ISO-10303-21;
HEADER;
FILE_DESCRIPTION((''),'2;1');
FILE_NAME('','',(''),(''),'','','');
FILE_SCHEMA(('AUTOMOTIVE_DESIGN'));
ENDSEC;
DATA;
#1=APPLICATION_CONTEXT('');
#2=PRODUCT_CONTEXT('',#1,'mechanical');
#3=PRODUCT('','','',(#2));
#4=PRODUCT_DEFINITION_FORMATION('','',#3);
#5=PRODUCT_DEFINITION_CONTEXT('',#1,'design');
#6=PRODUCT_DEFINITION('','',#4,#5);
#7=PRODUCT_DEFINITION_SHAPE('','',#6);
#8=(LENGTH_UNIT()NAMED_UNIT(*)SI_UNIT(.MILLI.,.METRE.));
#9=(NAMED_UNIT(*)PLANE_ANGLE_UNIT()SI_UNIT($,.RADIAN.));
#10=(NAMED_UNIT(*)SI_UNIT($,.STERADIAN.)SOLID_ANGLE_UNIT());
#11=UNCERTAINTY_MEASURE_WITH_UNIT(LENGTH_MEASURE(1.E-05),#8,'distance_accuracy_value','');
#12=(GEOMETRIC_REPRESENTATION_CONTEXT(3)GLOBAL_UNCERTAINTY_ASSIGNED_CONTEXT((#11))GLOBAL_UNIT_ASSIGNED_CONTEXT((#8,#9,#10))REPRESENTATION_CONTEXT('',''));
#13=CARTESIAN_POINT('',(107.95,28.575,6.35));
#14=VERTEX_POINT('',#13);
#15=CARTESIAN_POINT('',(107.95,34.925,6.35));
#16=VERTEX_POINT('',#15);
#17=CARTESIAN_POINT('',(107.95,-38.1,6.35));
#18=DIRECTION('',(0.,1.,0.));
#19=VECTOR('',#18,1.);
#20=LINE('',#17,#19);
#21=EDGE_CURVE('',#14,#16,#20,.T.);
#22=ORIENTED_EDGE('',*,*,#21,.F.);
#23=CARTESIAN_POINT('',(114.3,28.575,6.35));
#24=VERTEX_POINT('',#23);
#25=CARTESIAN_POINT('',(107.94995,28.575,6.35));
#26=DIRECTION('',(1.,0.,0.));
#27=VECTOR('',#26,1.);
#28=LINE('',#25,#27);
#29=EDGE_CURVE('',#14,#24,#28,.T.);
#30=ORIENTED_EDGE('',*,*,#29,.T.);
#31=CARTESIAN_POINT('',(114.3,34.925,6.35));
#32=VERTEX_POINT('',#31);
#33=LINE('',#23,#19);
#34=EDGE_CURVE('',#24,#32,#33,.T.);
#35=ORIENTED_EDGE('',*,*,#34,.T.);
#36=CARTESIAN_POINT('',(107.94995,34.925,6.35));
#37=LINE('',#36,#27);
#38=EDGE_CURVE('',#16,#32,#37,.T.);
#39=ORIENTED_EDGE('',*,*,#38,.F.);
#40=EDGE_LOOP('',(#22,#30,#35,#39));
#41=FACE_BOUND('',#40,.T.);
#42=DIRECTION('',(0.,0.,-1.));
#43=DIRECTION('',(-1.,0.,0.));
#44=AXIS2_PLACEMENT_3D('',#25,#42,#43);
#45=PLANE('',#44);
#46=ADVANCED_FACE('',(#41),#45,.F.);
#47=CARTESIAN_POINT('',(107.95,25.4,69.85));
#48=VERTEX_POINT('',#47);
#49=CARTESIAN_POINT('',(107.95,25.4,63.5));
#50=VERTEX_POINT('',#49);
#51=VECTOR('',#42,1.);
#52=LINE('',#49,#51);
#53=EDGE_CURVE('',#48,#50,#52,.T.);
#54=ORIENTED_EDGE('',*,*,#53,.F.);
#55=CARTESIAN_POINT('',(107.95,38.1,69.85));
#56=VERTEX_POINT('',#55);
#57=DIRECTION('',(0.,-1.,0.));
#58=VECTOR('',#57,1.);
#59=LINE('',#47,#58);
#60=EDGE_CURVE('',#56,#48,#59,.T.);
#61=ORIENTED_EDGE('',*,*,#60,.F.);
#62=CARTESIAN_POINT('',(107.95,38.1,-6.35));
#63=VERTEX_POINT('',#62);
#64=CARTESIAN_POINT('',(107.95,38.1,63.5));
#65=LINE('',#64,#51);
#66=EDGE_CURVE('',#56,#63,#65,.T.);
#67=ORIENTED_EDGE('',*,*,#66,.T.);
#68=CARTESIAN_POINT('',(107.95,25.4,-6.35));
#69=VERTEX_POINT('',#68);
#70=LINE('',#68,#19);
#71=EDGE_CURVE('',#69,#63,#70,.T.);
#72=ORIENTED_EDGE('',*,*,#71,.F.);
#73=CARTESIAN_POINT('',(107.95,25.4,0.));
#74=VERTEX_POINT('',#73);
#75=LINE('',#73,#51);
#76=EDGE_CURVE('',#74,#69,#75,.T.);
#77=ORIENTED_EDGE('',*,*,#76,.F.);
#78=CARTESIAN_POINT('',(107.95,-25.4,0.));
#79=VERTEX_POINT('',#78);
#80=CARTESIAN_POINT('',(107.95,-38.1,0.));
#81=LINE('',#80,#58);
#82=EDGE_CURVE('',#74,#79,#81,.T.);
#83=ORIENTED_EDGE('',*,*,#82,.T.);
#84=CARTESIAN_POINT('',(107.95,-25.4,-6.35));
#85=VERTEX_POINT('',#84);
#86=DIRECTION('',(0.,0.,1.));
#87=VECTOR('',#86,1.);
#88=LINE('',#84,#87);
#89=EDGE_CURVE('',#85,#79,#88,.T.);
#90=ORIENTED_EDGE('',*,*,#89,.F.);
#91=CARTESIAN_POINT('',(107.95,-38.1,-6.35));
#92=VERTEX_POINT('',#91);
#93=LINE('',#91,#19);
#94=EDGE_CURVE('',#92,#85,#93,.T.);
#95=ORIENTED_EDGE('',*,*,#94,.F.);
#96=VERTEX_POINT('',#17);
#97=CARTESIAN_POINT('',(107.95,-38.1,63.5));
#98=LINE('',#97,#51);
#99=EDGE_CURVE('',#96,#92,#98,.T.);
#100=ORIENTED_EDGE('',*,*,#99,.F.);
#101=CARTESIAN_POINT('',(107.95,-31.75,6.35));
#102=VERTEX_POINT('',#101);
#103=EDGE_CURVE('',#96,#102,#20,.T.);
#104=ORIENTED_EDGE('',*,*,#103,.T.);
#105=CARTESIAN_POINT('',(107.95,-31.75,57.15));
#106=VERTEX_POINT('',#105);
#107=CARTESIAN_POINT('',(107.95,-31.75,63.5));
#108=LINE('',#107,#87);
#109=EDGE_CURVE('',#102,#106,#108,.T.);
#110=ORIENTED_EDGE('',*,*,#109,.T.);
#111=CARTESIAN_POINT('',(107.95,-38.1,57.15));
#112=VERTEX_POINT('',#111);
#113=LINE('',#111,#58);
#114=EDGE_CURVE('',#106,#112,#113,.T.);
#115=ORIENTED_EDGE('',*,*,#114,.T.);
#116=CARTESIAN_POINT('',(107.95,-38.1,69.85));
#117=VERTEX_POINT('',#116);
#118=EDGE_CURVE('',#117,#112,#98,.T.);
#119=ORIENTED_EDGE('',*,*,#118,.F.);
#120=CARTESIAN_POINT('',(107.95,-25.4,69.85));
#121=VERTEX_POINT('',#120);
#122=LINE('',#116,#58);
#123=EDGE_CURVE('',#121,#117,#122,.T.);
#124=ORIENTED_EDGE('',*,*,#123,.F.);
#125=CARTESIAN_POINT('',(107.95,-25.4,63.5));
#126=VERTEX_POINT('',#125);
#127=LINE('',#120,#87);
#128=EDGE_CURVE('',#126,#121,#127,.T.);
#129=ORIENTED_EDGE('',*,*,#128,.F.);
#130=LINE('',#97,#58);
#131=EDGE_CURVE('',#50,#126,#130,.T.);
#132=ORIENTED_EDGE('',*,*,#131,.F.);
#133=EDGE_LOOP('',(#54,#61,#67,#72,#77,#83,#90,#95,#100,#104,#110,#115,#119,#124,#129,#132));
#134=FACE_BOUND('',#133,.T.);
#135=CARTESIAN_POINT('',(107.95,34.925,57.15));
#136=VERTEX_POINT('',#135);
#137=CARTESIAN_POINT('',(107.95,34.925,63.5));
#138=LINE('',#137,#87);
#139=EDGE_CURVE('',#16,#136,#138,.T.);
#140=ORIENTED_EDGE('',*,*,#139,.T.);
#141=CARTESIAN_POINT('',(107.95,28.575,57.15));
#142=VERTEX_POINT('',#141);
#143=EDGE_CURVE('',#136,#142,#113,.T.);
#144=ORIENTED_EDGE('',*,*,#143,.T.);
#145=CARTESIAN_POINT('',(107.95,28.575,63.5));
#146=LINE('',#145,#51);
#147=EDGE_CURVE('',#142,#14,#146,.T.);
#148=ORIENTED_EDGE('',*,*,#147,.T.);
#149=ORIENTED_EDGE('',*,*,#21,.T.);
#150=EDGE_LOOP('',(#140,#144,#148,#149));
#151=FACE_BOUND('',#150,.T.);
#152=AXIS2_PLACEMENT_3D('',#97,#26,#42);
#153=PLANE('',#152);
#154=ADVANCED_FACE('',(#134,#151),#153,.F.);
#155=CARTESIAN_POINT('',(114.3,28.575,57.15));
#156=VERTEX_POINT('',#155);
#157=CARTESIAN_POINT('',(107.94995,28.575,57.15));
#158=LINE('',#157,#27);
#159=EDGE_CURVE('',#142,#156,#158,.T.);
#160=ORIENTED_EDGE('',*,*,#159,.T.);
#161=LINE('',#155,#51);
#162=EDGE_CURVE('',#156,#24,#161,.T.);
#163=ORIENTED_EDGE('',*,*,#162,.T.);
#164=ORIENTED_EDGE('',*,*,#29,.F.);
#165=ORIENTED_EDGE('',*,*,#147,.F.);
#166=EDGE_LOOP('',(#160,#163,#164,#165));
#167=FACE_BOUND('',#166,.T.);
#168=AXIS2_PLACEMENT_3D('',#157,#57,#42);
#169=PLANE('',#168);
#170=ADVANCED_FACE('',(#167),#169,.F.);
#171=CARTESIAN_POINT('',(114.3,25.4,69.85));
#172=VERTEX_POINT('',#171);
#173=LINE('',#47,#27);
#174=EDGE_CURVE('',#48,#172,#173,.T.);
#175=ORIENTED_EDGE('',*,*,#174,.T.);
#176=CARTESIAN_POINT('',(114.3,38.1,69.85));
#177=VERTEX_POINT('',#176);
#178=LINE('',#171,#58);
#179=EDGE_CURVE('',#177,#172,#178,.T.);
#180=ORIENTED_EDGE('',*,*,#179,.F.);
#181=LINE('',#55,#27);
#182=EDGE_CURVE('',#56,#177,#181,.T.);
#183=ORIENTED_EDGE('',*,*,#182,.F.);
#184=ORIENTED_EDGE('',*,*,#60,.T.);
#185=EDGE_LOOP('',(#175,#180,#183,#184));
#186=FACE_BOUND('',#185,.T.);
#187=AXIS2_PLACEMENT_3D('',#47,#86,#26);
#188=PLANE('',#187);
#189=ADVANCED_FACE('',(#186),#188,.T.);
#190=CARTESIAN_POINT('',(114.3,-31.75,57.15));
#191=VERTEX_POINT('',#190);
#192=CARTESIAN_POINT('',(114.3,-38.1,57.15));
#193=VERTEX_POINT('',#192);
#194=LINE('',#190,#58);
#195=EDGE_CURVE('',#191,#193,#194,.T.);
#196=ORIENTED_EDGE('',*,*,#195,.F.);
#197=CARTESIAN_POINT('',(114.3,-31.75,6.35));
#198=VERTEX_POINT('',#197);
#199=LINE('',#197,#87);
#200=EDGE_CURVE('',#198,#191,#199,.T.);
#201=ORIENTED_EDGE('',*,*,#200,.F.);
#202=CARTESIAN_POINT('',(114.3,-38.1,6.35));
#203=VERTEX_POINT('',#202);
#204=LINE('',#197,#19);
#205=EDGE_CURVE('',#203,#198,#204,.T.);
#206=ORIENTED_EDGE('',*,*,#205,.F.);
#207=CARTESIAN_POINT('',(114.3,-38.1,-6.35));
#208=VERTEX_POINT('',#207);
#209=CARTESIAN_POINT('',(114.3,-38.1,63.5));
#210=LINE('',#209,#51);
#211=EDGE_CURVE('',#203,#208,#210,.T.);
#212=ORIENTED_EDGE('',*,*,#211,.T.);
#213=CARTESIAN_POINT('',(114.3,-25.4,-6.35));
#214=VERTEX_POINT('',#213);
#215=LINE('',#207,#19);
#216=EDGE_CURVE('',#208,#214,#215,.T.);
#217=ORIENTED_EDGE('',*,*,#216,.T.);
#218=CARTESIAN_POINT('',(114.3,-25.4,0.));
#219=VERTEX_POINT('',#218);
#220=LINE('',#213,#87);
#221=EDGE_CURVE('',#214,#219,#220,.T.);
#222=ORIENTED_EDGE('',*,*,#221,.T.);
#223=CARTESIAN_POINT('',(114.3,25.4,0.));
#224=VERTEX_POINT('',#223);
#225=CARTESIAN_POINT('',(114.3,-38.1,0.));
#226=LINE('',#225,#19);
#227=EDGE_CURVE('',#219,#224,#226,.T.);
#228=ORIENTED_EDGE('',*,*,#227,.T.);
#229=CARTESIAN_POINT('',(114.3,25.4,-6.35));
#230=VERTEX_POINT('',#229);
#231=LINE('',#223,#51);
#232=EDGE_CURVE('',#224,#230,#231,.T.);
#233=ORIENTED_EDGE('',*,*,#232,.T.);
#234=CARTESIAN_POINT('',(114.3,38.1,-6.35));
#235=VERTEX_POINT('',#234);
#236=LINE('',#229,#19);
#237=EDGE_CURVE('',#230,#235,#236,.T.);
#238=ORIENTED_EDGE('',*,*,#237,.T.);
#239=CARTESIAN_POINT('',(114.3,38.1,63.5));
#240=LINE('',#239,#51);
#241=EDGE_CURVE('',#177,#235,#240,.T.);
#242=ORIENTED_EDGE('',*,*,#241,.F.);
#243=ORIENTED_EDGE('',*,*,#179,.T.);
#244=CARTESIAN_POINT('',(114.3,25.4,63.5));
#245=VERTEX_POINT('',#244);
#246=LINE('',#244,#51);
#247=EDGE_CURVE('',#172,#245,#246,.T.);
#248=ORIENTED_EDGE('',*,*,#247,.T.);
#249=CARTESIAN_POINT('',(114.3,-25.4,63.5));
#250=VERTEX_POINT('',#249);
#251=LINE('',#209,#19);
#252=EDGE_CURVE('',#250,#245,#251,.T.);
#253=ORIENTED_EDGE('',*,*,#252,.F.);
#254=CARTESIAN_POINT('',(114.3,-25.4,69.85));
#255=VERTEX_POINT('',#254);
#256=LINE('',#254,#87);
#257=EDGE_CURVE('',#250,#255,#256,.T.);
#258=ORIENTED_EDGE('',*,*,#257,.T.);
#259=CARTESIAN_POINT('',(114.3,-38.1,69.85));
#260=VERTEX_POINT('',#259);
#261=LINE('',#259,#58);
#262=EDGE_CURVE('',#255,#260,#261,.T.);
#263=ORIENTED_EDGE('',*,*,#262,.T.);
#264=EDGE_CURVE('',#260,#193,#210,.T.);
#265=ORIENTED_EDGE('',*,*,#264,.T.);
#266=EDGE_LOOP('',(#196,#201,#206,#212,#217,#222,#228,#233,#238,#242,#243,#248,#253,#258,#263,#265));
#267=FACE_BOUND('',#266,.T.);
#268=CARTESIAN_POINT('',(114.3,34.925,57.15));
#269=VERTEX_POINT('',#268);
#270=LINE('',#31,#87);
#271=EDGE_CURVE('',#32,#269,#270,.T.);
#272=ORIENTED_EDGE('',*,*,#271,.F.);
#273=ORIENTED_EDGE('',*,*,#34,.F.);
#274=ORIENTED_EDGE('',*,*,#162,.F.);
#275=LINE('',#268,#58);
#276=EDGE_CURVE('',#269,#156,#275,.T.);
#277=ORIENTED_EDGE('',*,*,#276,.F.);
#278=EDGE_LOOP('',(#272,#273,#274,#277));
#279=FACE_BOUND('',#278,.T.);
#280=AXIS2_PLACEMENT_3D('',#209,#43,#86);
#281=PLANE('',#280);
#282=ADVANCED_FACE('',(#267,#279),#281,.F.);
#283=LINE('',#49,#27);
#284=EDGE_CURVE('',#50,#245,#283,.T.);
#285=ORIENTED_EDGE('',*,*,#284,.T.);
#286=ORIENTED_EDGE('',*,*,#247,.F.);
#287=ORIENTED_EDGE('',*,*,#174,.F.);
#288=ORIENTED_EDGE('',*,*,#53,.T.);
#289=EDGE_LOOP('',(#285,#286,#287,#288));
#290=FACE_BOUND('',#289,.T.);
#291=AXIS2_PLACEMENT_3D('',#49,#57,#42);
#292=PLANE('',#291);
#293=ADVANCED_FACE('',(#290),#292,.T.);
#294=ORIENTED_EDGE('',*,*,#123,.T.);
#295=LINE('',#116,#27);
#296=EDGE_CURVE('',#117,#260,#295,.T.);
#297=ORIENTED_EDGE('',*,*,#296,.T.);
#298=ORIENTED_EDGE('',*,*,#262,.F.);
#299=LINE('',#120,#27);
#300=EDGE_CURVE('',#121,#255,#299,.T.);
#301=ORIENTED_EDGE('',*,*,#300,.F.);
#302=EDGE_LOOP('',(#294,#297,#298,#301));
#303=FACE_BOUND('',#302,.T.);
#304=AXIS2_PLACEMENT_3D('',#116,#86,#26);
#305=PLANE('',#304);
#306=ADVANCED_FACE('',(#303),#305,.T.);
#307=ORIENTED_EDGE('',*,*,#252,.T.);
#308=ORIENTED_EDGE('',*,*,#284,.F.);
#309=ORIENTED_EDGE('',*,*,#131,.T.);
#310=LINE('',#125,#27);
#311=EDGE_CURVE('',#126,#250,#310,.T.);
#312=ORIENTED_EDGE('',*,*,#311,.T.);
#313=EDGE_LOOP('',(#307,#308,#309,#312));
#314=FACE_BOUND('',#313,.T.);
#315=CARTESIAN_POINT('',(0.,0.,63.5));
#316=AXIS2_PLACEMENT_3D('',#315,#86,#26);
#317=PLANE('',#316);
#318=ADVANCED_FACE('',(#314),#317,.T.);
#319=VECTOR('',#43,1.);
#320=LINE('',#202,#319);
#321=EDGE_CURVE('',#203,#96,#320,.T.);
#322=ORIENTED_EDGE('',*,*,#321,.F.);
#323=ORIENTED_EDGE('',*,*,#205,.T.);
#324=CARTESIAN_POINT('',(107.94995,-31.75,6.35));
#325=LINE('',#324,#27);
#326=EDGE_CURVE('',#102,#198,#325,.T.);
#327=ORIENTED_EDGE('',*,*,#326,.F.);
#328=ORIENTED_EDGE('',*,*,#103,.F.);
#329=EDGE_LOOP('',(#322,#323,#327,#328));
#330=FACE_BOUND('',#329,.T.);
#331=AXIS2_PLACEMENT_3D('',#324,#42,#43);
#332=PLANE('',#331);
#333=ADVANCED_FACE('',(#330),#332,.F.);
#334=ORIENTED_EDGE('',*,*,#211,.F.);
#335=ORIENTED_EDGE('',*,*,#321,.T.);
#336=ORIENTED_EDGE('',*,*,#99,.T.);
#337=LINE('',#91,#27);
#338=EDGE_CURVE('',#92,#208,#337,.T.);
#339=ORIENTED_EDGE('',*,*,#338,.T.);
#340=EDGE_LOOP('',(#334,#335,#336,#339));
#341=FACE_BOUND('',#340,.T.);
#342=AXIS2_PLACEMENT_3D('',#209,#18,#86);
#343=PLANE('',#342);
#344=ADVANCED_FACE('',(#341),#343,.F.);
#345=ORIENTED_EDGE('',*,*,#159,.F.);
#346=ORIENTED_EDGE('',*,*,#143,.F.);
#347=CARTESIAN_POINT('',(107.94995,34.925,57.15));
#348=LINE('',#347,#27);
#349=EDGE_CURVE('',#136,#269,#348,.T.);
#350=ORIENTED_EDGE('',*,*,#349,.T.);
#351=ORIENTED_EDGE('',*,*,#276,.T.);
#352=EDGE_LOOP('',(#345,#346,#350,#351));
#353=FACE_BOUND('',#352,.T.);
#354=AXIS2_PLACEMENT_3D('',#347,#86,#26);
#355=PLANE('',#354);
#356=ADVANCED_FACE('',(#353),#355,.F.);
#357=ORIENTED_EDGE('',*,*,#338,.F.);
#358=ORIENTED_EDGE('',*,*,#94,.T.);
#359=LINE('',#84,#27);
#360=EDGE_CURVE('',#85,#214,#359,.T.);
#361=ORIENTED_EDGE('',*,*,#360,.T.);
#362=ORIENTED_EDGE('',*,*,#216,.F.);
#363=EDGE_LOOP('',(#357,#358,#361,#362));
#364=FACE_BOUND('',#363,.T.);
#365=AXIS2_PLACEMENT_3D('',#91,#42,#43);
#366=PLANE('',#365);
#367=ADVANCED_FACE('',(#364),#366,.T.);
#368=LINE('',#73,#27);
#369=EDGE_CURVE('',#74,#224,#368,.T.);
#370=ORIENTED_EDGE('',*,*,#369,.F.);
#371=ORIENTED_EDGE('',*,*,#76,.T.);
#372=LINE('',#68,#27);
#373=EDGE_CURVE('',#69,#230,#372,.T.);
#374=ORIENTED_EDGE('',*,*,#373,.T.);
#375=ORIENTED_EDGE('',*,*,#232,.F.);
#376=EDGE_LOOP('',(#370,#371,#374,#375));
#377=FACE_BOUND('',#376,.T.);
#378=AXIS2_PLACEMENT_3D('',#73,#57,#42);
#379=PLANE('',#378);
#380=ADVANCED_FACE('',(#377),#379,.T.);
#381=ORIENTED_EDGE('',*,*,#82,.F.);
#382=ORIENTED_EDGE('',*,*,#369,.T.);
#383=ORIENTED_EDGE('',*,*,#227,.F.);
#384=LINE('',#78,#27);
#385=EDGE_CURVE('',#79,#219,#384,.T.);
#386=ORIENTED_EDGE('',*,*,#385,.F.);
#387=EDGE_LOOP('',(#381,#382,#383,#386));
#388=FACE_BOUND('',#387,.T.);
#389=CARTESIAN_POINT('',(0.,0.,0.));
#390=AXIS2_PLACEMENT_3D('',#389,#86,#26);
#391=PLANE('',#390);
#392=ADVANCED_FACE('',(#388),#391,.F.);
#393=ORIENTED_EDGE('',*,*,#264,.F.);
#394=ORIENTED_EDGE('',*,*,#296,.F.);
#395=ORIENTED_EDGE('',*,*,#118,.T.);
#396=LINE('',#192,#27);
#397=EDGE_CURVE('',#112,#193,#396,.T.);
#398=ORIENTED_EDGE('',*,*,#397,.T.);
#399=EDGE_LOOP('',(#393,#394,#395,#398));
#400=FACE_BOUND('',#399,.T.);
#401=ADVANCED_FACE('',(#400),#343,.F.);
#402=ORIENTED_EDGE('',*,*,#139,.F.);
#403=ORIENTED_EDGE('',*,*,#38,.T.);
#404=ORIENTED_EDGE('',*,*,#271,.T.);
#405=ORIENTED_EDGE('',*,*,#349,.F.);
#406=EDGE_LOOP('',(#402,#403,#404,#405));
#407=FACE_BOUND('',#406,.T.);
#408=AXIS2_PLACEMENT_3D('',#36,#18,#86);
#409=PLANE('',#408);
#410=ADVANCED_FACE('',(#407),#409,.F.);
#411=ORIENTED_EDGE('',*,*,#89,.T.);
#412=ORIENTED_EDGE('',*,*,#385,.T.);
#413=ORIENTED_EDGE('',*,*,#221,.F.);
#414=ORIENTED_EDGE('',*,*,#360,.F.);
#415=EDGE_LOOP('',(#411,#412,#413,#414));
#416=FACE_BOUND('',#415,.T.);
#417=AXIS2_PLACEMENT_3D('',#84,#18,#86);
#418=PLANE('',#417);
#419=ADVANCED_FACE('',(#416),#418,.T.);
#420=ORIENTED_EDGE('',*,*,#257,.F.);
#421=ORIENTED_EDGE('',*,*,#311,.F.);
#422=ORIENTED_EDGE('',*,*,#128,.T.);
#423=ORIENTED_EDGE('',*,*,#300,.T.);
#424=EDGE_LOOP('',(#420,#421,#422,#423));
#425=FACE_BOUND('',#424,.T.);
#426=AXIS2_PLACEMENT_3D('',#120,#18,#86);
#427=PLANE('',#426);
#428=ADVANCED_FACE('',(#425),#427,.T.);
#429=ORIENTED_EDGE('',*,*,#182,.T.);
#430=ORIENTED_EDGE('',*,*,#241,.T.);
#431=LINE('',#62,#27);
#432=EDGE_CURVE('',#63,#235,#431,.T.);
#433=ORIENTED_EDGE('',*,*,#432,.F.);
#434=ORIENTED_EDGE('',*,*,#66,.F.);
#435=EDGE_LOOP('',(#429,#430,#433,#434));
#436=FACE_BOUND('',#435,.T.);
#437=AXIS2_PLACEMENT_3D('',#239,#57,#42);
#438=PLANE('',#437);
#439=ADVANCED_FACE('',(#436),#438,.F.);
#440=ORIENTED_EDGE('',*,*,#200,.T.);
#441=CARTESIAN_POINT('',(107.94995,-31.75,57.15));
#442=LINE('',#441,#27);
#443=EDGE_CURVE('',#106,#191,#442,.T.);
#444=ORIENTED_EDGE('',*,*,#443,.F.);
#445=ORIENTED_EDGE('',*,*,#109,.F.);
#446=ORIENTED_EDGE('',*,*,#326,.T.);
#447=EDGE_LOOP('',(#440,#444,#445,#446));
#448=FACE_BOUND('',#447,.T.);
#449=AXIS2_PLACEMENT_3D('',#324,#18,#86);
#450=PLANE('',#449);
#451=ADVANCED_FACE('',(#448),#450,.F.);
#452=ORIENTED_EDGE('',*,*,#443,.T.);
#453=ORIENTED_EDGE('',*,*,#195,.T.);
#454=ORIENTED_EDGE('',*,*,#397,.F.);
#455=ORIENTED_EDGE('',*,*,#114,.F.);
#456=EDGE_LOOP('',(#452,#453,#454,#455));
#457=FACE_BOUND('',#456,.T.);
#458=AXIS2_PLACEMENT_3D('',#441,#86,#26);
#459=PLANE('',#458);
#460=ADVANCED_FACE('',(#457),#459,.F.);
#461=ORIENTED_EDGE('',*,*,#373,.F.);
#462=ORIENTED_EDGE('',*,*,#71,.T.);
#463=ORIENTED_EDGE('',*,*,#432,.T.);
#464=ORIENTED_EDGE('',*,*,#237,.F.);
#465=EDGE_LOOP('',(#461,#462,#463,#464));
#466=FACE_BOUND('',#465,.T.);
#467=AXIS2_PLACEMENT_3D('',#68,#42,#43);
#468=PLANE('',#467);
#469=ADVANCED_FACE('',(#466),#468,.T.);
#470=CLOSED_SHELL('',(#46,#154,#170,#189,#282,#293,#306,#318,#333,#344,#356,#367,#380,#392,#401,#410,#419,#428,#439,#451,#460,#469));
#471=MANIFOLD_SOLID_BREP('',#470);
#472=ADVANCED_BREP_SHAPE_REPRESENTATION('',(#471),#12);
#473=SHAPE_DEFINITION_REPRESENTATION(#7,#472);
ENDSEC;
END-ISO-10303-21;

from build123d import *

# Parameters (mm, degrees)
SKETCH1_W           = 6.35
SKETCH1_H           = 76.2
BOSS_EXTRUDE1_DEPTH = 63.5
SKETCH2_W           = 6.35
SKETCH2_H           = 12.7
BOSS_EXTRUDE2_DEPTH = 6.35
SKETCH3_W           = 50.8
SKETCH3_H           = 6.35
CUT_EXTRUDE1_DEPTH  = 80.818262321


with BuildPart() as part:
    # Sketch1 → Boss-Extrude1 (new body)
    with BuildSketch(Plane.XY):
        with Locations((111.125, 0)):
            Rectangle(SKETCH1_W, SKETCH1_H)
    extrude(amount=BOSS_EXTRUDE1_DEPTH)

    # Sketch2 → Boss-Extrude2 (add)
    with BuildSketch(Plane(origin=(114.3, 0, 0), x_dir=(0, 0, -1), z_dir=(1, 0, 0))):
        with Locations((-66.675, -31.75)):
            Rectangle(SKETCH2_W, SKETCH2_H)
        with Locations((-66.675, 31.75)):
            Rectangle(SKETCH2_W, SKETCH2_H)
        with Locations((3.175, 31.75)):
            Rectangle(SKETCH2_W, SKETCH2_H)
        with Locations((3.175, -31.75)):
            Rectangle(SKETCH2_W, SKETCH2_H)
    extrude(amount=-BOSS_EXTRUDE2_DEPTH)

    # Sketch3 → Cut-Extrude1 (cut, through all)
    with BuildSketch(Plane(origin=(114.3, 0, 0), x_dir=(0, 0, -1), z_dir=(1, 0, 0))):
        with Locations((-31.75, 31.75)):
            Rectangle(SKETCH3_W, SKETCH3_H)
        with Locations((-31.75, -34.925)):
            Rectangle(SKETCH3_W, SKETCH3_H)
    extrude(amount=-CUT_EXTRUDE1_DEPTH, mode=Mode.SUBTRACT)


solid = part.part
